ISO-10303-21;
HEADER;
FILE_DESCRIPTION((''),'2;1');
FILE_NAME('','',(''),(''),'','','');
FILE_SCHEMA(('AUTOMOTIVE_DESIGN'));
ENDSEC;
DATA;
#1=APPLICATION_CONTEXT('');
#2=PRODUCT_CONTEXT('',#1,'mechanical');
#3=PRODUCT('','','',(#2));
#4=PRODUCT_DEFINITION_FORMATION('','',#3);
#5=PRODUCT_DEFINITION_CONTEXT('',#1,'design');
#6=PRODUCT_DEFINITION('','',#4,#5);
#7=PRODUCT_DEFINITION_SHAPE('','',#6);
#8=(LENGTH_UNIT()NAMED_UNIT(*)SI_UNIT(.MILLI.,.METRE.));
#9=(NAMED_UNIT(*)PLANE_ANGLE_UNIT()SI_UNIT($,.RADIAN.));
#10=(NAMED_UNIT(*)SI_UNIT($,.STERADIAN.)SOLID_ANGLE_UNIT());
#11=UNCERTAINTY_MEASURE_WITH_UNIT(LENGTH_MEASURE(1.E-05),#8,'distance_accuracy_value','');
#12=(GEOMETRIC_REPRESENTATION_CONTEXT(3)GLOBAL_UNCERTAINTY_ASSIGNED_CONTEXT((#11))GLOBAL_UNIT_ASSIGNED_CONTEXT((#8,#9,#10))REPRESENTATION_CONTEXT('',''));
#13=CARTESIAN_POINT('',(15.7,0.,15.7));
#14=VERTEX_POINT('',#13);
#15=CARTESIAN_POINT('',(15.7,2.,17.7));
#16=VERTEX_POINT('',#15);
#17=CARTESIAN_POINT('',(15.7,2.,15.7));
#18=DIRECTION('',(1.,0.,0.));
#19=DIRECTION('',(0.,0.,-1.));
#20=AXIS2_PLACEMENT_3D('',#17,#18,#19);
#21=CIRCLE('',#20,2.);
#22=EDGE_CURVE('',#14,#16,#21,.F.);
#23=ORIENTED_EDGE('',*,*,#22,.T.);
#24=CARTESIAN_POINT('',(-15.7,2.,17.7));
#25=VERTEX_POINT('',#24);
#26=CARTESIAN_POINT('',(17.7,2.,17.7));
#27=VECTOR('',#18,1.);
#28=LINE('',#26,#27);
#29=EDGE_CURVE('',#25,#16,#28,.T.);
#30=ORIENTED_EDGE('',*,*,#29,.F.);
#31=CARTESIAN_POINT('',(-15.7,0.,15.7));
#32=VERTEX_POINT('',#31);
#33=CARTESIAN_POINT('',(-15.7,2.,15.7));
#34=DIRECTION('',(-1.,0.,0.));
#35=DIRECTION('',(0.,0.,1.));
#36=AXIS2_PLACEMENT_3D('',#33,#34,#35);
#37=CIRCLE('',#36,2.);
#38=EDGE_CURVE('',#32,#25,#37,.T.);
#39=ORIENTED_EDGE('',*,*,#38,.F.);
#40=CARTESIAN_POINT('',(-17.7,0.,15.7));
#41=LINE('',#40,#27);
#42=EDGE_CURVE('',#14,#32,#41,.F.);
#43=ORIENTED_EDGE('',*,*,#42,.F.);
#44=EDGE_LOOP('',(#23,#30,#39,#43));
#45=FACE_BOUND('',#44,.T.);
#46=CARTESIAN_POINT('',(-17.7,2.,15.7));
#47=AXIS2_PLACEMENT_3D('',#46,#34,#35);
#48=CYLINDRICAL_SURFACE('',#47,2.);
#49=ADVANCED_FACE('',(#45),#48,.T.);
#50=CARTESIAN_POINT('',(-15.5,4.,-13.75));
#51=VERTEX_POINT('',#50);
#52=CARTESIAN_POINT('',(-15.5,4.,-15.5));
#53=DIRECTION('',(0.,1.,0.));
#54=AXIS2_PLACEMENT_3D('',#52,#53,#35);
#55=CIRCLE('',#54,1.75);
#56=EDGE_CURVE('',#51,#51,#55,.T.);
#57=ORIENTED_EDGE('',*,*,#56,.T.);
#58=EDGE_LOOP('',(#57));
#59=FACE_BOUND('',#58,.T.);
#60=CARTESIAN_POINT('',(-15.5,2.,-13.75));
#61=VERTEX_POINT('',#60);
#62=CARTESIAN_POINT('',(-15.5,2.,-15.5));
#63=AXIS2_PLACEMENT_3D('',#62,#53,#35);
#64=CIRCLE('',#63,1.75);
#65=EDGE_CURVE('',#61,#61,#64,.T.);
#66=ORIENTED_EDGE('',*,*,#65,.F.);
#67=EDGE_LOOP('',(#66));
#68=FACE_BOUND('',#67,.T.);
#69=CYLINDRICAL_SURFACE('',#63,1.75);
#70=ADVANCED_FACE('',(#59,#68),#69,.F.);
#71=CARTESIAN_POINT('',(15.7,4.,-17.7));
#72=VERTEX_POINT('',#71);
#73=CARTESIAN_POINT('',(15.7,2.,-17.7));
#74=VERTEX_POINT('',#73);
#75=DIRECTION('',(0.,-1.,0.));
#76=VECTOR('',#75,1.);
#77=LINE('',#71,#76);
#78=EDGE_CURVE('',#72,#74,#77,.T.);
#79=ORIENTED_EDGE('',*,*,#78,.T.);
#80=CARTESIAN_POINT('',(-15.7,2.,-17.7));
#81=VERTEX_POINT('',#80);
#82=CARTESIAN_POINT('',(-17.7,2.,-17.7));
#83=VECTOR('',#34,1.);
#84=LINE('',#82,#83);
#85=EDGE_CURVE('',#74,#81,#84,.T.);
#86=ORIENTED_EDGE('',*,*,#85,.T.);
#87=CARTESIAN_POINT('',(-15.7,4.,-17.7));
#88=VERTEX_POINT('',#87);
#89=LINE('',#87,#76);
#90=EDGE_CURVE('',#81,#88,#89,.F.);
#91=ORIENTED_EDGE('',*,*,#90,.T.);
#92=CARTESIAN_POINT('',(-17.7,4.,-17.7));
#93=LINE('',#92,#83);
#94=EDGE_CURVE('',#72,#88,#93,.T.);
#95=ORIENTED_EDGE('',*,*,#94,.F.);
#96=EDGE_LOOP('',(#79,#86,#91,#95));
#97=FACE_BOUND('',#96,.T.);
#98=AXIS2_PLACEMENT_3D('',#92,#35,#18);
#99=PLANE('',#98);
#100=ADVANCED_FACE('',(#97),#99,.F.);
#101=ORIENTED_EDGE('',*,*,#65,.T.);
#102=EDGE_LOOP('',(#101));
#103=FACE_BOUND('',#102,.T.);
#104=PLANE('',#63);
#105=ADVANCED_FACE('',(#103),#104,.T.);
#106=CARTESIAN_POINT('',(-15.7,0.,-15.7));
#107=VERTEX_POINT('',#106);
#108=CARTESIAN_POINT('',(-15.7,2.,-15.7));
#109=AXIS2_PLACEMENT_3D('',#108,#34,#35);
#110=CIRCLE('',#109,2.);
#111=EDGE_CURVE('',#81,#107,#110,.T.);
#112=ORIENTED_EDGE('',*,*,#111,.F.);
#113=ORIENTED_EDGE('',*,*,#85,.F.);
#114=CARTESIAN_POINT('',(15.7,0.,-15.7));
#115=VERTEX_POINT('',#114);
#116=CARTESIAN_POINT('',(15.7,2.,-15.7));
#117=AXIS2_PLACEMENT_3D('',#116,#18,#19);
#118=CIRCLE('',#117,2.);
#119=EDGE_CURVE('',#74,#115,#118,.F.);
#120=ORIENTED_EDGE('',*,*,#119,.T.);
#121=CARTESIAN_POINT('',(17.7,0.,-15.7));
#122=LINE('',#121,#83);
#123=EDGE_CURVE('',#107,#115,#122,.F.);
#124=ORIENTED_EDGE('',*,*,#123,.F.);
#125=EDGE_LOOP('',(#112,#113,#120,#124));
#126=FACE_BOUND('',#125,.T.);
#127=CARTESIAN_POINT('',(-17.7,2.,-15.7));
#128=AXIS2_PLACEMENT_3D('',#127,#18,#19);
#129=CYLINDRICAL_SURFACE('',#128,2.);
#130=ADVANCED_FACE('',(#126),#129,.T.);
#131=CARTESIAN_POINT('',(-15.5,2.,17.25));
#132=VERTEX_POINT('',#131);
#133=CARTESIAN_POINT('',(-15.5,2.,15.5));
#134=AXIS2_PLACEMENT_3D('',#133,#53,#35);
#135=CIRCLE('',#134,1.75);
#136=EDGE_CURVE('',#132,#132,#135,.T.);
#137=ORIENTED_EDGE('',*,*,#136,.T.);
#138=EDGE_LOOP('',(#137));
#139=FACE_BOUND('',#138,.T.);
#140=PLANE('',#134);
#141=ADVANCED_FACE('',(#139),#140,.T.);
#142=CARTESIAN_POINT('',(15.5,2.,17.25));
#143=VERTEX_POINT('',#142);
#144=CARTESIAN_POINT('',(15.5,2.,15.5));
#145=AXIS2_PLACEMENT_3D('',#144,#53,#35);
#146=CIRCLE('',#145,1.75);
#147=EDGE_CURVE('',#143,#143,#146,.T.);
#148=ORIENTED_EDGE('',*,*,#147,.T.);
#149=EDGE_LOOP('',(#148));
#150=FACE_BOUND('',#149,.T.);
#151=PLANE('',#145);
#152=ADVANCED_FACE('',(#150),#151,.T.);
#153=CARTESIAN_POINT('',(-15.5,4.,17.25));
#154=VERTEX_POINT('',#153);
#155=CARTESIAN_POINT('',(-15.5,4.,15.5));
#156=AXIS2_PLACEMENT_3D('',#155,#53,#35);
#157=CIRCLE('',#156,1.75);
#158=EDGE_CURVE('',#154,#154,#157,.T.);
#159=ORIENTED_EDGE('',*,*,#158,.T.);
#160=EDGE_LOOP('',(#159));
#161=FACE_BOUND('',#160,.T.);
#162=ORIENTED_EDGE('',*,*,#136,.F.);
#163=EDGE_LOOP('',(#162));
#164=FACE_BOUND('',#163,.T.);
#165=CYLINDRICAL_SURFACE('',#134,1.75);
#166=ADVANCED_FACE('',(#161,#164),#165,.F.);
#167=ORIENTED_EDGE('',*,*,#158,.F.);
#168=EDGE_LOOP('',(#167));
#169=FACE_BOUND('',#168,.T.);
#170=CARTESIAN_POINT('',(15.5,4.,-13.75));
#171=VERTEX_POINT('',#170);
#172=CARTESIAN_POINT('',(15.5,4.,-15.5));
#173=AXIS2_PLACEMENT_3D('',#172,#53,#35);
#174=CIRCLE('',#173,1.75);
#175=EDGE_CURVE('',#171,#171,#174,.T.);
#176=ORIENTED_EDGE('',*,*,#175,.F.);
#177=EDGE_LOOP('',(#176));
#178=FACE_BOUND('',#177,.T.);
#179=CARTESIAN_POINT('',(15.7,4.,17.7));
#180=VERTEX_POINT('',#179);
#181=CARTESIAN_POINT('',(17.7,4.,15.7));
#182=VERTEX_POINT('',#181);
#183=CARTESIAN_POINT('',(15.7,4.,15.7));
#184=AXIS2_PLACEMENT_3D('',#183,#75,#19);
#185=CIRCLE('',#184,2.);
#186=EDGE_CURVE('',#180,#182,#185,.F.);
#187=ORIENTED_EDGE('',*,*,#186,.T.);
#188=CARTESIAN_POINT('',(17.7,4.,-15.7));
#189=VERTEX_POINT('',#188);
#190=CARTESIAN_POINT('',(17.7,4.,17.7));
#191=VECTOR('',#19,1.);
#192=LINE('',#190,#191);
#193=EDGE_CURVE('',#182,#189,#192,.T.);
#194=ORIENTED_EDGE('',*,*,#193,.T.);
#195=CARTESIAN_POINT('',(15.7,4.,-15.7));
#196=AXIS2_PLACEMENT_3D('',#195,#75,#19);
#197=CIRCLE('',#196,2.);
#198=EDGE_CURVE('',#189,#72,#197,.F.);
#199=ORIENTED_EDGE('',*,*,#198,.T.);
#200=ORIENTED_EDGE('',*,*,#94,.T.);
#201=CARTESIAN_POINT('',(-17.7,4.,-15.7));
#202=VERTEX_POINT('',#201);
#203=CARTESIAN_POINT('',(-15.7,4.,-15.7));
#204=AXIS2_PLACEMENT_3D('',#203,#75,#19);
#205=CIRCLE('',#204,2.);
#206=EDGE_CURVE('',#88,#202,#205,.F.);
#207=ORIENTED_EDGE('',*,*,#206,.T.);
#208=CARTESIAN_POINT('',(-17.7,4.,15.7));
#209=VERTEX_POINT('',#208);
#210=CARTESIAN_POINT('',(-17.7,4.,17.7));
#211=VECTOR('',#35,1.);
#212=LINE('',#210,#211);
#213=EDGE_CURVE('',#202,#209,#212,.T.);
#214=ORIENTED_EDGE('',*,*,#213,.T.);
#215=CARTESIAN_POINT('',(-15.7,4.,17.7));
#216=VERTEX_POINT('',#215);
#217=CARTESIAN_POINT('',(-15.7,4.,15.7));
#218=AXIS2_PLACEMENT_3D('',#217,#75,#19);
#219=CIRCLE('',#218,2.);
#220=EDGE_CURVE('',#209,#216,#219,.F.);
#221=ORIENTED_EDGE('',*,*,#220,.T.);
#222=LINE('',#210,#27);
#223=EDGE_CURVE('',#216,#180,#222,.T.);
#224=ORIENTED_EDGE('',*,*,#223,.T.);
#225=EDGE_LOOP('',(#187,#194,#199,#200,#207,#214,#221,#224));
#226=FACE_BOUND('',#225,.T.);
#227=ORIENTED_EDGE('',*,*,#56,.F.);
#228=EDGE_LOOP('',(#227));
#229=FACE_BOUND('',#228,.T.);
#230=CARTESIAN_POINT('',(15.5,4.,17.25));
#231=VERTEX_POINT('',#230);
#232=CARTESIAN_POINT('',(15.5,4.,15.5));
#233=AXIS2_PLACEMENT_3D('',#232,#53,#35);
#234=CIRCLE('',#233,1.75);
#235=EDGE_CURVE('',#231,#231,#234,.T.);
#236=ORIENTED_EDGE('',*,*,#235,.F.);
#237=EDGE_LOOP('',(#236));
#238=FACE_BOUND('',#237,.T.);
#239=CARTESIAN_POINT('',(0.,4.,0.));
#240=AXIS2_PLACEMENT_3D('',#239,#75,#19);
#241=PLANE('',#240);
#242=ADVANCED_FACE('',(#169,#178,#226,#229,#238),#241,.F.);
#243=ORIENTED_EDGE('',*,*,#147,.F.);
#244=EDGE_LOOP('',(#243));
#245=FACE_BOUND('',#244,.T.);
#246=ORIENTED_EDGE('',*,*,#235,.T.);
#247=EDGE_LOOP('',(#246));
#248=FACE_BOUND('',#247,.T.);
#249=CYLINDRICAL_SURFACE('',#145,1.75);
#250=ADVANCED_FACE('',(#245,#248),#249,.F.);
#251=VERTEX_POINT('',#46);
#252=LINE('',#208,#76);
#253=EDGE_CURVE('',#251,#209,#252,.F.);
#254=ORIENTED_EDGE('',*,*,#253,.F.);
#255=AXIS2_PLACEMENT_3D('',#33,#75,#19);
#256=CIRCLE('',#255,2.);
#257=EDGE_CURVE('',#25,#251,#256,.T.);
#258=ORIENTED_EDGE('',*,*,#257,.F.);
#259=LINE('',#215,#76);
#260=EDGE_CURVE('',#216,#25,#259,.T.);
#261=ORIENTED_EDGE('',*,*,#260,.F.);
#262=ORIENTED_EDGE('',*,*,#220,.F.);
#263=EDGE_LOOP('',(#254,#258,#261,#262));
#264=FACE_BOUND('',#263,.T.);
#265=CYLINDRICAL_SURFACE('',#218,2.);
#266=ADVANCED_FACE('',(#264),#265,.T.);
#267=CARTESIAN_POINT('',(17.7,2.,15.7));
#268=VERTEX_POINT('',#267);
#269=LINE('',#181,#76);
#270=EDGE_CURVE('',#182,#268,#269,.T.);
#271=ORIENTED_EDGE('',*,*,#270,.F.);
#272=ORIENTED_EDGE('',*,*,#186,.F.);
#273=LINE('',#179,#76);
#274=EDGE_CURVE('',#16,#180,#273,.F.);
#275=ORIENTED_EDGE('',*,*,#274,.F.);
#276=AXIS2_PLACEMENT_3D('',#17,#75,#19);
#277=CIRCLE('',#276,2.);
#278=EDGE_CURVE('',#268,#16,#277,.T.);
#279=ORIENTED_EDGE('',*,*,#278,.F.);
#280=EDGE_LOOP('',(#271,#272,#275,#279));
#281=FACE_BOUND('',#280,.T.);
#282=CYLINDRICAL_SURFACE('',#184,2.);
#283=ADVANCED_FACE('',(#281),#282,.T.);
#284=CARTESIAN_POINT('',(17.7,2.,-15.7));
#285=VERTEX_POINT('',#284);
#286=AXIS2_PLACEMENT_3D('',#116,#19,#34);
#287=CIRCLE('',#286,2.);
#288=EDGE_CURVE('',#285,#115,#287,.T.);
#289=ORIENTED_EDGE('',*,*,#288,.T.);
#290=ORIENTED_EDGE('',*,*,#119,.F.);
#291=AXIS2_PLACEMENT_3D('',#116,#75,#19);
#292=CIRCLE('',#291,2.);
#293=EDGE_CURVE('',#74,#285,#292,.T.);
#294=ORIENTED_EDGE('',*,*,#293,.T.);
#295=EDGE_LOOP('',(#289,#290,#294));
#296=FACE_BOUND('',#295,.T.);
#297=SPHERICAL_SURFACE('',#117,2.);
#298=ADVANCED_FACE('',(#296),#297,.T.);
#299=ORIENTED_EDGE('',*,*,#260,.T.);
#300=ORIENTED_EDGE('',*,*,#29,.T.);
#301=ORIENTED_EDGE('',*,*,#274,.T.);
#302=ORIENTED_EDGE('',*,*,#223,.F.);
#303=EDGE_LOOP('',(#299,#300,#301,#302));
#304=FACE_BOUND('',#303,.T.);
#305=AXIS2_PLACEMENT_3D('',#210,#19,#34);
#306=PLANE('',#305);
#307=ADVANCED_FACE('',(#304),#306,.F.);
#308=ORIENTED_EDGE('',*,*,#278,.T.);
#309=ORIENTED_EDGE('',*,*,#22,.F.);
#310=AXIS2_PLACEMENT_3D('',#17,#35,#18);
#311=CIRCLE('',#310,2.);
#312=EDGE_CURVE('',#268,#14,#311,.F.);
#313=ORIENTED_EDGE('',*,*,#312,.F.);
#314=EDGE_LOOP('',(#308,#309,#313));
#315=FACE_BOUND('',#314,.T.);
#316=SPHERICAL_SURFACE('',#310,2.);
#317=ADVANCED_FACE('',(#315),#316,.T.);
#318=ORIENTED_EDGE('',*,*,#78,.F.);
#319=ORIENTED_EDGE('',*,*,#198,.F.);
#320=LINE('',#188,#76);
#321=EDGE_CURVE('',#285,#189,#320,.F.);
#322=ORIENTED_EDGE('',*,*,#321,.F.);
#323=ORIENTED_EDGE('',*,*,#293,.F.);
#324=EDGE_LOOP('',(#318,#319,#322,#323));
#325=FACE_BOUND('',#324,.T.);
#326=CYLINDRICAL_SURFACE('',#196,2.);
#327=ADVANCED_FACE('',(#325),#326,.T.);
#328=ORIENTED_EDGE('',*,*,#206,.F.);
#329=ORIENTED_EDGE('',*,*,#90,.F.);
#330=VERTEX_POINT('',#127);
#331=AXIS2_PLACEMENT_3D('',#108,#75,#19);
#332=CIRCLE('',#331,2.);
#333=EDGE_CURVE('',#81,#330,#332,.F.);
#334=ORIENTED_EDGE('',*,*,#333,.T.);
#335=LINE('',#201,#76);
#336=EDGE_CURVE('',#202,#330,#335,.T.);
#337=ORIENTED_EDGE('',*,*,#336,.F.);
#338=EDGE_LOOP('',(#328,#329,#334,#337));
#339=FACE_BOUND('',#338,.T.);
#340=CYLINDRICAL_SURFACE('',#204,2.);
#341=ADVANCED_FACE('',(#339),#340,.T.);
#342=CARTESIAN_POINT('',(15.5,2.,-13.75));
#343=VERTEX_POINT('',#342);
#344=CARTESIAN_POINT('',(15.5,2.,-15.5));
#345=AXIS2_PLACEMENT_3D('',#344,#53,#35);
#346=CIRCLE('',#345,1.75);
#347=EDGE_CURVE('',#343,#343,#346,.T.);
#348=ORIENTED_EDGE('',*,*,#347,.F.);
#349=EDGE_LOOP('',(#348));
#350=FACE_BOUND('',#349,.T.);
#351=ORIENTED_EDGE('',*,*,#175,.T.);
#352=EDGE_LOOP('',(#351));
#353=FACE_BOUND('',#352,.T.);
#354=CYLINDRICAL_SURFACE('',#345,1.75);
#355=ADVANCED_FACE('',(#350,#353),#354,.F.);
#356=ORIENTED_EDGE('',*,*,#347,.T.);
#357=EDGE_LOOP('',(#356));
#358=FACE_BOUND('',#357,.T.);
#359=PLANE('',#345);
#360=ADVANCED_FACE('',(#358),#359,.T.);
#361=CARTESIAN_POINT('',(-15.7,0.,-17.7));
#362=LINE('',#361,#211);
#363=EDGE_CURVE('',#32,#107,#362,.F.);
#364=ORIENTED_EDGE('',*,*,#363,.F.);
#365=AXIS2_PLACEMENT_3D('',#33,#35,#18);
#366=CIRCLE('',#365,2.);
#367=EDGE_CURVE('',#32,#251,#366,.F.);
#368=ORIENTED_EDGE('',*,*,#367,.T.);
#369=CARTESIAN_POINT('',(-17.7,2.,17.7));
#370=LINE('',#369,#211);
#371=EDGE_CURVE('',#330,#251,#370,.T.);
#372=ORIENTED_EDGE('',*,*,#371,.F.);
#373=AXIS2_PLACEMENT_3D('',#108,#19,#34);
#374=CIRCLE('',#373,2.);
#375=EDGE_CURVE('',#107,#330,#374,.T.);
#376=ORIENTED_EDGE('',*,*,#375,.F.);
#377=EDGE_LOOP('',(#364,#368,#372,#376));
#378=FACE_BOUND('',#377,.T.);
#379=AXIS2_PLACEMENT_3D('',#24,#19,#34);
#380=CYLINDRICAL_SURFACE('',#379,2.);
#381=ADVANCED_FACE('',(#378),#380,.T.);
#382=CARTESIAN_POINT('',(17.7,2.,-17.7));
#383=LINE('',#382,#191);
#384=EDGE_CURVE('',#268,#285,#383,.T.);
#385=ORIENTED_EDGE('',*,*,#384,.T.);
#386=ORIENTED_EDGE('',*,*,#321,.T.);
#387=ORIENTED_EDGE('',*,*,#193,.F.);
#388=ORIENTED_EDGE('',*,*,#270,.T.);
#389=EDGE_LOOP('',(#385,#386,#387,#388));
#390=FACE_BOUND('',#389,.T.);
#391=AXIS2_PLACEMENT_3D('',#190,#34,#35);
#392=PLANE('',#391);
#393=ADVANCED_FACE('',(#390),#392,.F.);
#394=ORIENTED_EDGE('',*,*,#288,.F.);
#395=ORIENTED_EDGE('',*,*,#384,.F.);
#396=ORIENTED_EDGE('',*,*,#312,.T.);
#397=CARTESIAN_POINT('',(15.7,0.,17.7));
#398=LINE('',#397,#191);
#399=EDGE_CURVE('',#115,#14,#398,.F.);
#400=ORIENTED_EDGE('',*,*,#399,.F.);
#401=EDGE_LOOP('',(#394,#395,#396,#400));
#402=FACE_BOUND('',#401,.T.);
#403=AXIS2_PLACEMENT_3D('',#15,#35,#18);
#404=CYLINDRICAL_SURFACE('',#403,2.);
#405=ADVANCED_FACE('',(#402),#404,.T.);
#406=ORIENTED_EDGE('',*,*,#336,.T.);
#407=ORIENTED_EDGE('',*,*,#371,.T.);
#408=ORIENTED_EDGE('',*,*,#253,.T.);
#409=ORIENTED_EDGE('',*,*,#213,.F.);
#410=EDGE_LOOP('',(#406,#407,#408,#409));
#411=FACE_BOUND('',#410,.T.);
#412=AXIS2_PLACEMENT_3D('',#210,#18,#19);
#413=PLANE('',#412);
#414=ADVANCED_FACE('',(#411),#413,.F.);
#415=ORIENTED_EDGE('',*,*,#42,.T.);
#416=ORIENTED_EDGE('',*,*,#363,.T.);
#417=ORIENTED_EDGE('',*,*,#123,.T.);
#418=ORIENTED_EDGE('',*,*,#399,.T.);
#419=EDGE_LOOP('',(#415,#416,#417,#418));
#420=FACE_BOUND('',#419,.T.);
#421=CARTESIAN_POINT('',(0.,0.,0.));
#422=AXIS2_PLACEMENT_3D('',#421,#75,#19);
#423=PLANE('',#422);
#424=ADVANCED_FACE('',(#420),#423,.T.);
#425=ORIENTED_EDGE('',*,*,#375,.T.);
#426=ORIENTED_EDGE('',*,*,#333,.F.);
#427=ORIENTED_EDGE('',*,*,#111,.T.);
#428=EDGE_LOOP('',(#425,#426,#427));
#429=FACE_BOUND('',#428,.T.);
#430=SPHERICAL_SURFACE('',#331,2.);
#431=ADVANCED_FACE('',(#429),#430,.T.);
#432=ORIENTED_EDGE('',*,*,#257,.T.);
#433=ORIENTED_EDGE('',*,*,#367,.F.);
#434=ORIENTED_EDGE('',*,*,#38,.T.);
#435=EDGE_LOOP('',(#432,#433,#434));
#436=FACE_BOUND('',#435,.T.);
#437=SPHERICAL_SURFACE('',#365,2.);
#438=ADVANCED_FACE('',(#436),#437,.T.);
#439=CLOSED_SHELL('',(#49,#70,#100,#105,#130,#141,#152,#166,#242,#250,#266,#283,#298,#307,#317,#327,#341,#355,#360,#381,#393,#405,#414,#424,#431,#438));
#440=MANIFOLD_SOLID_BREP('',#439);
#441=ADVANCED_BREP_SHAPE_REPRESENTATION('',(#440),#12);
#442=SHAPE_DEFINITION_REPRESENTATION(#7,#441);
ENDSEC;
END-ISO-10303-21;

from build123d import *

# Parameters (mm, degrees)
ESQUISSE1_W             = 35.4
ESQUISSE1_H             = 35.4
BOSS_EXTRU_1_DEPTH      = 4
CONG_1_R                = 2
ESQUISSE2_R             = 1.75
ENL_V_MAT_EXTRU_1_DEPTH = 2


with BuildPart() as part:
    # Esquisse1 → Boss.-Extru.1 (new body)
    with BuildSketch(Plane(origin=(0, 0, 0), x_dir=(1, 0, 0), z_dir=(0, 1, 0))):
        Rectangle(ESQUISSE1_W, ESQUISSE1_H)
    extrude(amount=BOSS_EXTRU_1_DEPTH)

    # Congé1
    cong_1_edges = [part.edges().sort_by_distance(p)[0] for p in [
        (0, 0, 17.7),
        (-17.7, 0, 0),
        (0, 0, -17.7),
        (17.7, 0, 0),
        (17.7, 2, 17.7),
        (-17.7, 2, 17.7),
        (-17.7, 2, -17.7),
        (17.7, 2, -17.7),
    ]]
    fillet(cong_1_edges, radius=CONG_1_R)

    # Esquisse2 → Enlèv. mat.-Extru.1 (cut)
    with BuildSketch(Plane(origin=(0, 4, 0), x_dir=(1, 0, 0), z_dir=(0, 1, 0))):
        with Locations(Location((-15.5, 15.5, 0), (0, 0, 270))):
            Circle(ESQUISSE2_R)
        with Locations(Location((15.5, 15.5, 0), (0, 0, 270))):
            Circle(ESQUISSE2_R)
        with Locations(Location((15.5, -15.5, 0), (0, 0, 270))):
            Circle(ESQUISSE2_R)
        with Locations(Location((-15.5, -15.5, 0), (0, 0, 270))):
            Circle(ESQUISSE2_R)
    extrude(amount=-ENL_V_MAT_EXTRU_1_DEPTH, mode=Mode.SUBTRACT)


solid = part.part
